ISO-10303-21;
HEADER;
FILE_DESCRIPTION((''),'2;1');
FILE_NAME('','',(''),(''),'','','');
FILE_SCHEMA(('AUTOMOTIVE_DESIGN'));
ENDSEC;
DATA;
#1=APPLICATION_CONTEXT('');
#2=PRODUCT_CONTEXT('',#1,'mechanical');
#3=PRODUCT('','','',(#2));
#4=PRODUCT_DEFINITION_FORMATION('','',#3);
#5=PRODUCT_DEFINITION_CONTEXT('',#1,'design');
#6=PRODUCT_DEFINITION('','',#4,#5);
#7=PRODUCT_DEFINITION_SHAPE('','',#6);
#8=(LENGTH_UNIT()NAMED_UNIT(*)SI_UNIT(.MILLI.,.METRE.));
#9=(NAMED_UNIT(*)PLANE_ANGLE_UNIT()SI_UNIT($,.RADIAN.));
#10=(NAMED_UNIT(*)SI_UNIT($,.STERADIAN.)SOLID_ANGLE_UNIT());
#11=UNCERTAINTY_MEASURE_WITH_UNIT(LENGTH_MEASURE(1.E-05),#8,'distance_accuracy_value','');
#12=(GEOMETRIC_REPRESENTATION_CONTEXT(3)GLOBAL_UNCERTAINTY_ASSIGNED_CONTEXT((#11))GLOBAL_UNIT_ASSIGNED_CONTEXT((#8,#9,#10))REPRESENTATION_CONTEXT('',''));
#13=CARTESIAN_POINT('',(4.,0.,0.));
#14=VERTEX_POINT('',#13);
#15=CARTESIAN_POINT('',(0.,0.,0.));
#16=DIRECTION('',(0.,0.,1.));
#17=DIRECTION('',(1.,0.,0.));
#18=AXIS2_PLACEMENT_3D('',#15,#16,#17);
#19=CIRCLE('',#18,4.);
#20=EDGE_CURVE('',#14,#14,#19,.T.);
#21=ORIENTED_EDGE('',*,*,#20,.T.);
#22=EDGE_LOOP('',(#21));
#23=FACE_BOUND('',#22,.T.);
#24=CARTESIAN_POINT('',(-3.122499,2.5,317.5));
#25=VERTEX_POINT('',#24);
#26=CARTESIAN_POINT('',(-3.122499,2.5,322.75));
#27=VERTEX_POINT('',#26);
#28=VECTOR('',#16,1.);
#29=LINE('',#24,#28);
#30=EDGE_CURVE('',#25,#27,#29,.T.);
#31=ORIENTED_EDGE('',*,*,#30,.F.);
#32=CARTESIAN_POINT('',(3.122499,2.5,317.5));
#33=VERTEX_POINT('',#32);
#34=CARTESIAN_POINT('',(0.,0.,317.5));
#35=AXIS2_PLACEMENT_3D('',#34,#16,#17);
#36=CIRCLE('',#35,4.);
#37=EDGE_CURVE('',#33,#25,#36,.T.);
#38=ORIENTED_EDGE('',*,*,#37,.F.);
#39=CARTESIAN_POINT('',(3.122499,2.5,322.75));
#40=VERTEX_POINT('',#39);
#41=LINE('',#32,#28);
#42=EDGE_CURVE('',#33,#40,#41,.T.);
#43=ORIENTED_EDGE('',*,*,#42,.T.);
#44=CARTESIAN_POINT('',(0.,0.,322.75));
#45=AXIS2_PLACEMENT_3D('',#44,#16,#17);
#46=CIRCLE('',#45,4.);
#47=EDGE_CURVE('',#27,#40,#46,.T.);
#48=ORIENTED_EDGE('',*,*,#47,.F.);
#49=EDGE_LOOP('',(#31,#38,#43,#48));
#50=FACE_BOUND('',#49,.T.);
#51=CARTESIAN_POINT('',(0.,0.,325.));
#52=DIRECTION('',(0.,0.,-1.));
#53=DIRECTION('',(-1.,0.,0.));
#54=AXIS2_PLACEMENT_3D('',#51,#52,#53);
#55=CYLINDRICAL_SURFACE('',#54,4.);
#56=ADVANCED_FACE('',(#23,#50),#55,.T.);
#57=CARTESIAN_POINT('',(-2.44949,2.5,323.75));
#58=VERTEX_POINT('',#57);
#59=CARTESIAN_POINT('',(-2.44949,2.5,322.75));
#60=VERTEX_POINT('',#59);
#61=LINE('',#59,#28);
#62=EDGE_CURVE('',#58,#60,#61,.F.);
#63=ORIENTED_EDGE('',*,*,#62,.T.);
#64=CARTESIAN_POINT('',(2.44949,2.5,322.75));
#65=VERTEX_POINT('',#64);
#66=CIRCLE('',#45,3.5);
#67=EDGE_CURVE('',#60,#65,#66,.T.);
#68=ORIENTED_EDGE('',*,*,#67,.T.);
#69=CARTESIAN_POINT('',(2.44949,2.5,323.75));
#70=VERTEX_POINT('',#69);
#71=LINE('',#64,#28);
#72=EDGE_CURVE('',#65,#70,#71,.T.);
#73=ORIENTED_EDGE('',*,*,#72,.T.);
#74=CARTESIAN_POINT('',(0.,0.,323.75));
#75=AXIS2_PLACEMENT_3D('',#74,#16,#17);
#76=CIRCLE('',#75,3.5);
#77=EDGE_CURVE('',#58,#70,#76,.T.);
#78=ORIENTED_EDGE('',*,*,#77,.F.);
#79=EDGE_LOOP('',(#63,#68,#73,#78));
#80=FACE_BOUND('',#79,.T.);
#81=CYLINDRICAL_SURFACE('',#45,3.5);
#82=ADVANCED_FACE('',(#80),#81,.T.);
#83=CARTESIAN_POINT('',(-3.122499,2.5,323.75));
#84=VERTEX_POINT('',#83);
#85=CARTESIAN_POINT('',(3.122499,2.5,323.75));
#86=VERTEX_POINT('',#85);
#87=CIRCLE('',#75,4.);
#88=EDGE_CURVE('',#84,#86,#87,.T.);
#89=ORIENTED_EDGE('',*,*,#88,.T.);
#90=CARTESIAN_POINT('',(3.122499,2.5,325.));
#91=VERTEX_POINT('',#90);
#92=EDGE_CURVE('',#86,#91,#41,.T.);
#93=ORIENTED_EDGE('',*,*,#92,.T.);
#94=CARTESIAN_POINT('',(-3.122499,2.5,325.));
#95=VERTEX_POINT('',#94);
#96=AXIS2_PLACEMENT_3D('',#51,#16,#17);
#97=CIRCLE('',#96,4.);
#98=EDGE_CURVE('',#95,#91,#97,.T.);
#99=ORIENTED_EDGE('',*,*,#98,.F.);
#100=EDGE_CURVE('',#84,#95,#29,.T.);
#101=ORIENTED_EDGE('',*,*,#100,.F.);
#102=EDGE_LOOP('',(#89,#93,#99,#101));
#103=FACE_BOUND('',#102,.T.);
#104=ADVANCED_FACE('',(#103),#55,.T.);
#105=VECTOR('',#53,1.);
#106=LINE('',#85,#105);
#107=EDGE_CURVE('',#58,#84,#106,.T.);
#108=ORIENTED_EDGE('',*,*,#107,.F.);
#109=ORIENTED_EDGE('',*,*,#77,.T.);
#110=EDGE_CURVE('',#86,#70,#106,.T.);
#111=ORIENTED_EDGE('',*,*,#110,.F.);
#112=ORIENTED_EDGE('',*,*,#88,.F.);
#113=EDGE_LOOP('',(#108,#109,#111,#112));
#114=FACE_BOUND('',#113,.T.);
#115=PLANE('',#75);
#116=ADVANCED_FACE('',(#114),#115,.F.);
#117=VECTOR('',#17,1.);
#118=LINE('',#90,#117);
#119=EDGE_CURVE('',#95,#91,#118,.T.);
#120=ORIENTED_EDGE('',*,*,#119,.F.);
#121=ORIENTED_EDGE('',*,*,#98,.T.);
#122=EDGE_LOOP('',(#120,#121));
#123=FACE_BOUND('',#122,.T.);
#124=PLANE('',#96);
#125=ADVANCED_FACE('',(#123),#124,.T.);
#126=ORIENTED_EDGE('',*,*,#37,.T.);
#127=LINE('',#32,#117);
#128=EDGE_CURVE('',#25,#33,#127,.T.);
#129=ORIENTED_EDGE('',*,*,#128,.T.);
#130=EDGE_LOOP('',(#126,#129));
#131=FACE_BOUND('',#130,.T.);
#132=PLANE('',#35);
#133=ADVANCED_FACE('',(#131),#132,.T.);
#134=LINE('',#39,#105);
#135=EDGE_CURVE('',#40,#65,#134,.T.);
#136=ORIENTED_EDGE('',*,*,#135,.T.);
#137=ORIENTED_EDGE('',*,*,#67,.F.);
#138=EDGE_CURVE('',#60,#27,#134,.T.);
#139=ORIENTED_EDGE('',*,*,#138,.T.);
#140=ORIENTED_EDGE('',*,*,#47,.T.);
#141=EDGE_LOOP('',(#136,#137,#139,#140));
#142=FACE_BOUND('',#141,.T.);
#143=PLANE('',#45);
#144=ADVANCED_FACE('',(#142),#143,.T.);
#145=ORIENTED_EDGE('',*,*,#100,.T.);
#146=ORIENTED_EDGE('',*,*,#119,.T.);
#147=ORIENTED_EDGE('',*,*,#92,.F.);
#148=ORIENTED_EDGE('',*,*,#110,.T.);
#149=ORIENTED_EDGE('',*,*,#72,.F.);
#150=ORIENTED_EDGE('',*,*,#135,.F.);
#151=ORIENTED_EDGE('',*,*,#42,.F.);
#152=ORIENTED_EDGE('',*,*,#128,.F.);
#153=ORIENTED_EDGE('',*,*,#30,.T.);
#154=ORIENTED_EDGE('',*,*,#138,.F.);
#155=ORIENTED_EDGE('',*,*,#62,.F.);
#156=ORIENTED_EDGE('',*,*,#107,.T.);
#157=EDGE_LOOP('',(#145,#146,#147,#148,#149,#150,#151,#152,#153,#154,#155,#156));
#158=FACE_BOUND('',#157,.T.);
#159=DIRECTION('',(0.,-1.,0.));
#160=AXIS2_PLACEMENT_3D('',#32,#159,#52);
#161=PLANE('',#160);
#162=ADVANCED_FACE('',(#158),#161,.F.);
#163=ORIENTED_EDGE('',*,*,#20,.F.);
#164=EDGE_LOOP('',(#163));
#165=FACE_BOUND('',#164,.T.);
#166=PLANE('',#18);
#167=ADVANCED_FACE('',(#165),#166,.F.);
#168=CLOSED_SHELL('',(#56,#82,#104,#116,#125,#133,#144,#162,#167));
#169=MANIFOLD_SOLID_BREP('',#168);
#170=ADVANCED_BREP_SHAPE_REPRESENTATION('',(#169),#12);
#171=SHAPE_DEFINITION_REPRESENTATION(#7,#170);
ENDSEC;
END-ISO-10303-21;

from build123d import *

# Parameters (mm, degrees)
SKETCH1_R           = 4
BOSS_EXTRUDE1_DEPTH = 325
CUT_EXTRUDE1_DEPTH  = 7.5
SKETCH3_R           = 4
SKETCH3_R_2         = 3.5
CUT_EXTRUDE2_DEPTH  = 1


with BuildPart() as part:
    # Sketch1 → Boss-Extrude1 (new body)
    with BuildSketch(Plane.XY):
        Circle(SKETCH1_R)
    extrude(amount=BOSS_EXTRUDE1_DEPTH)

    # Sketch2 → Cut-Extrude1 (cut)
    with BuildSketch(Plane.XY.offset(325)):
        with BuildLine():
            Line((3.122498999, 2.5), (-3.122498999, 2.5))
            ThreePointArc((-3.122498999, 2.5), (0, 4), (3.122498999, 2.5))
        make_face()
    extrude(amount=-CUT_EXTRUDE1_DEPTH, mode=Mode.SUBTRACT)

    # Sketch3 → Cut-Extrude2 (cut)
    with BuildSketch(Plane.XY.offset(323.75)):
        Circle(SKETCH3_R)
        Circle(SKETCH3_R_2, mode=Mode.SUBTRACT)
    extrude(amount=-CUT_EXTRUDE2_DEPTH, mode=Mode.SUBTRACT)


solid = part.part
